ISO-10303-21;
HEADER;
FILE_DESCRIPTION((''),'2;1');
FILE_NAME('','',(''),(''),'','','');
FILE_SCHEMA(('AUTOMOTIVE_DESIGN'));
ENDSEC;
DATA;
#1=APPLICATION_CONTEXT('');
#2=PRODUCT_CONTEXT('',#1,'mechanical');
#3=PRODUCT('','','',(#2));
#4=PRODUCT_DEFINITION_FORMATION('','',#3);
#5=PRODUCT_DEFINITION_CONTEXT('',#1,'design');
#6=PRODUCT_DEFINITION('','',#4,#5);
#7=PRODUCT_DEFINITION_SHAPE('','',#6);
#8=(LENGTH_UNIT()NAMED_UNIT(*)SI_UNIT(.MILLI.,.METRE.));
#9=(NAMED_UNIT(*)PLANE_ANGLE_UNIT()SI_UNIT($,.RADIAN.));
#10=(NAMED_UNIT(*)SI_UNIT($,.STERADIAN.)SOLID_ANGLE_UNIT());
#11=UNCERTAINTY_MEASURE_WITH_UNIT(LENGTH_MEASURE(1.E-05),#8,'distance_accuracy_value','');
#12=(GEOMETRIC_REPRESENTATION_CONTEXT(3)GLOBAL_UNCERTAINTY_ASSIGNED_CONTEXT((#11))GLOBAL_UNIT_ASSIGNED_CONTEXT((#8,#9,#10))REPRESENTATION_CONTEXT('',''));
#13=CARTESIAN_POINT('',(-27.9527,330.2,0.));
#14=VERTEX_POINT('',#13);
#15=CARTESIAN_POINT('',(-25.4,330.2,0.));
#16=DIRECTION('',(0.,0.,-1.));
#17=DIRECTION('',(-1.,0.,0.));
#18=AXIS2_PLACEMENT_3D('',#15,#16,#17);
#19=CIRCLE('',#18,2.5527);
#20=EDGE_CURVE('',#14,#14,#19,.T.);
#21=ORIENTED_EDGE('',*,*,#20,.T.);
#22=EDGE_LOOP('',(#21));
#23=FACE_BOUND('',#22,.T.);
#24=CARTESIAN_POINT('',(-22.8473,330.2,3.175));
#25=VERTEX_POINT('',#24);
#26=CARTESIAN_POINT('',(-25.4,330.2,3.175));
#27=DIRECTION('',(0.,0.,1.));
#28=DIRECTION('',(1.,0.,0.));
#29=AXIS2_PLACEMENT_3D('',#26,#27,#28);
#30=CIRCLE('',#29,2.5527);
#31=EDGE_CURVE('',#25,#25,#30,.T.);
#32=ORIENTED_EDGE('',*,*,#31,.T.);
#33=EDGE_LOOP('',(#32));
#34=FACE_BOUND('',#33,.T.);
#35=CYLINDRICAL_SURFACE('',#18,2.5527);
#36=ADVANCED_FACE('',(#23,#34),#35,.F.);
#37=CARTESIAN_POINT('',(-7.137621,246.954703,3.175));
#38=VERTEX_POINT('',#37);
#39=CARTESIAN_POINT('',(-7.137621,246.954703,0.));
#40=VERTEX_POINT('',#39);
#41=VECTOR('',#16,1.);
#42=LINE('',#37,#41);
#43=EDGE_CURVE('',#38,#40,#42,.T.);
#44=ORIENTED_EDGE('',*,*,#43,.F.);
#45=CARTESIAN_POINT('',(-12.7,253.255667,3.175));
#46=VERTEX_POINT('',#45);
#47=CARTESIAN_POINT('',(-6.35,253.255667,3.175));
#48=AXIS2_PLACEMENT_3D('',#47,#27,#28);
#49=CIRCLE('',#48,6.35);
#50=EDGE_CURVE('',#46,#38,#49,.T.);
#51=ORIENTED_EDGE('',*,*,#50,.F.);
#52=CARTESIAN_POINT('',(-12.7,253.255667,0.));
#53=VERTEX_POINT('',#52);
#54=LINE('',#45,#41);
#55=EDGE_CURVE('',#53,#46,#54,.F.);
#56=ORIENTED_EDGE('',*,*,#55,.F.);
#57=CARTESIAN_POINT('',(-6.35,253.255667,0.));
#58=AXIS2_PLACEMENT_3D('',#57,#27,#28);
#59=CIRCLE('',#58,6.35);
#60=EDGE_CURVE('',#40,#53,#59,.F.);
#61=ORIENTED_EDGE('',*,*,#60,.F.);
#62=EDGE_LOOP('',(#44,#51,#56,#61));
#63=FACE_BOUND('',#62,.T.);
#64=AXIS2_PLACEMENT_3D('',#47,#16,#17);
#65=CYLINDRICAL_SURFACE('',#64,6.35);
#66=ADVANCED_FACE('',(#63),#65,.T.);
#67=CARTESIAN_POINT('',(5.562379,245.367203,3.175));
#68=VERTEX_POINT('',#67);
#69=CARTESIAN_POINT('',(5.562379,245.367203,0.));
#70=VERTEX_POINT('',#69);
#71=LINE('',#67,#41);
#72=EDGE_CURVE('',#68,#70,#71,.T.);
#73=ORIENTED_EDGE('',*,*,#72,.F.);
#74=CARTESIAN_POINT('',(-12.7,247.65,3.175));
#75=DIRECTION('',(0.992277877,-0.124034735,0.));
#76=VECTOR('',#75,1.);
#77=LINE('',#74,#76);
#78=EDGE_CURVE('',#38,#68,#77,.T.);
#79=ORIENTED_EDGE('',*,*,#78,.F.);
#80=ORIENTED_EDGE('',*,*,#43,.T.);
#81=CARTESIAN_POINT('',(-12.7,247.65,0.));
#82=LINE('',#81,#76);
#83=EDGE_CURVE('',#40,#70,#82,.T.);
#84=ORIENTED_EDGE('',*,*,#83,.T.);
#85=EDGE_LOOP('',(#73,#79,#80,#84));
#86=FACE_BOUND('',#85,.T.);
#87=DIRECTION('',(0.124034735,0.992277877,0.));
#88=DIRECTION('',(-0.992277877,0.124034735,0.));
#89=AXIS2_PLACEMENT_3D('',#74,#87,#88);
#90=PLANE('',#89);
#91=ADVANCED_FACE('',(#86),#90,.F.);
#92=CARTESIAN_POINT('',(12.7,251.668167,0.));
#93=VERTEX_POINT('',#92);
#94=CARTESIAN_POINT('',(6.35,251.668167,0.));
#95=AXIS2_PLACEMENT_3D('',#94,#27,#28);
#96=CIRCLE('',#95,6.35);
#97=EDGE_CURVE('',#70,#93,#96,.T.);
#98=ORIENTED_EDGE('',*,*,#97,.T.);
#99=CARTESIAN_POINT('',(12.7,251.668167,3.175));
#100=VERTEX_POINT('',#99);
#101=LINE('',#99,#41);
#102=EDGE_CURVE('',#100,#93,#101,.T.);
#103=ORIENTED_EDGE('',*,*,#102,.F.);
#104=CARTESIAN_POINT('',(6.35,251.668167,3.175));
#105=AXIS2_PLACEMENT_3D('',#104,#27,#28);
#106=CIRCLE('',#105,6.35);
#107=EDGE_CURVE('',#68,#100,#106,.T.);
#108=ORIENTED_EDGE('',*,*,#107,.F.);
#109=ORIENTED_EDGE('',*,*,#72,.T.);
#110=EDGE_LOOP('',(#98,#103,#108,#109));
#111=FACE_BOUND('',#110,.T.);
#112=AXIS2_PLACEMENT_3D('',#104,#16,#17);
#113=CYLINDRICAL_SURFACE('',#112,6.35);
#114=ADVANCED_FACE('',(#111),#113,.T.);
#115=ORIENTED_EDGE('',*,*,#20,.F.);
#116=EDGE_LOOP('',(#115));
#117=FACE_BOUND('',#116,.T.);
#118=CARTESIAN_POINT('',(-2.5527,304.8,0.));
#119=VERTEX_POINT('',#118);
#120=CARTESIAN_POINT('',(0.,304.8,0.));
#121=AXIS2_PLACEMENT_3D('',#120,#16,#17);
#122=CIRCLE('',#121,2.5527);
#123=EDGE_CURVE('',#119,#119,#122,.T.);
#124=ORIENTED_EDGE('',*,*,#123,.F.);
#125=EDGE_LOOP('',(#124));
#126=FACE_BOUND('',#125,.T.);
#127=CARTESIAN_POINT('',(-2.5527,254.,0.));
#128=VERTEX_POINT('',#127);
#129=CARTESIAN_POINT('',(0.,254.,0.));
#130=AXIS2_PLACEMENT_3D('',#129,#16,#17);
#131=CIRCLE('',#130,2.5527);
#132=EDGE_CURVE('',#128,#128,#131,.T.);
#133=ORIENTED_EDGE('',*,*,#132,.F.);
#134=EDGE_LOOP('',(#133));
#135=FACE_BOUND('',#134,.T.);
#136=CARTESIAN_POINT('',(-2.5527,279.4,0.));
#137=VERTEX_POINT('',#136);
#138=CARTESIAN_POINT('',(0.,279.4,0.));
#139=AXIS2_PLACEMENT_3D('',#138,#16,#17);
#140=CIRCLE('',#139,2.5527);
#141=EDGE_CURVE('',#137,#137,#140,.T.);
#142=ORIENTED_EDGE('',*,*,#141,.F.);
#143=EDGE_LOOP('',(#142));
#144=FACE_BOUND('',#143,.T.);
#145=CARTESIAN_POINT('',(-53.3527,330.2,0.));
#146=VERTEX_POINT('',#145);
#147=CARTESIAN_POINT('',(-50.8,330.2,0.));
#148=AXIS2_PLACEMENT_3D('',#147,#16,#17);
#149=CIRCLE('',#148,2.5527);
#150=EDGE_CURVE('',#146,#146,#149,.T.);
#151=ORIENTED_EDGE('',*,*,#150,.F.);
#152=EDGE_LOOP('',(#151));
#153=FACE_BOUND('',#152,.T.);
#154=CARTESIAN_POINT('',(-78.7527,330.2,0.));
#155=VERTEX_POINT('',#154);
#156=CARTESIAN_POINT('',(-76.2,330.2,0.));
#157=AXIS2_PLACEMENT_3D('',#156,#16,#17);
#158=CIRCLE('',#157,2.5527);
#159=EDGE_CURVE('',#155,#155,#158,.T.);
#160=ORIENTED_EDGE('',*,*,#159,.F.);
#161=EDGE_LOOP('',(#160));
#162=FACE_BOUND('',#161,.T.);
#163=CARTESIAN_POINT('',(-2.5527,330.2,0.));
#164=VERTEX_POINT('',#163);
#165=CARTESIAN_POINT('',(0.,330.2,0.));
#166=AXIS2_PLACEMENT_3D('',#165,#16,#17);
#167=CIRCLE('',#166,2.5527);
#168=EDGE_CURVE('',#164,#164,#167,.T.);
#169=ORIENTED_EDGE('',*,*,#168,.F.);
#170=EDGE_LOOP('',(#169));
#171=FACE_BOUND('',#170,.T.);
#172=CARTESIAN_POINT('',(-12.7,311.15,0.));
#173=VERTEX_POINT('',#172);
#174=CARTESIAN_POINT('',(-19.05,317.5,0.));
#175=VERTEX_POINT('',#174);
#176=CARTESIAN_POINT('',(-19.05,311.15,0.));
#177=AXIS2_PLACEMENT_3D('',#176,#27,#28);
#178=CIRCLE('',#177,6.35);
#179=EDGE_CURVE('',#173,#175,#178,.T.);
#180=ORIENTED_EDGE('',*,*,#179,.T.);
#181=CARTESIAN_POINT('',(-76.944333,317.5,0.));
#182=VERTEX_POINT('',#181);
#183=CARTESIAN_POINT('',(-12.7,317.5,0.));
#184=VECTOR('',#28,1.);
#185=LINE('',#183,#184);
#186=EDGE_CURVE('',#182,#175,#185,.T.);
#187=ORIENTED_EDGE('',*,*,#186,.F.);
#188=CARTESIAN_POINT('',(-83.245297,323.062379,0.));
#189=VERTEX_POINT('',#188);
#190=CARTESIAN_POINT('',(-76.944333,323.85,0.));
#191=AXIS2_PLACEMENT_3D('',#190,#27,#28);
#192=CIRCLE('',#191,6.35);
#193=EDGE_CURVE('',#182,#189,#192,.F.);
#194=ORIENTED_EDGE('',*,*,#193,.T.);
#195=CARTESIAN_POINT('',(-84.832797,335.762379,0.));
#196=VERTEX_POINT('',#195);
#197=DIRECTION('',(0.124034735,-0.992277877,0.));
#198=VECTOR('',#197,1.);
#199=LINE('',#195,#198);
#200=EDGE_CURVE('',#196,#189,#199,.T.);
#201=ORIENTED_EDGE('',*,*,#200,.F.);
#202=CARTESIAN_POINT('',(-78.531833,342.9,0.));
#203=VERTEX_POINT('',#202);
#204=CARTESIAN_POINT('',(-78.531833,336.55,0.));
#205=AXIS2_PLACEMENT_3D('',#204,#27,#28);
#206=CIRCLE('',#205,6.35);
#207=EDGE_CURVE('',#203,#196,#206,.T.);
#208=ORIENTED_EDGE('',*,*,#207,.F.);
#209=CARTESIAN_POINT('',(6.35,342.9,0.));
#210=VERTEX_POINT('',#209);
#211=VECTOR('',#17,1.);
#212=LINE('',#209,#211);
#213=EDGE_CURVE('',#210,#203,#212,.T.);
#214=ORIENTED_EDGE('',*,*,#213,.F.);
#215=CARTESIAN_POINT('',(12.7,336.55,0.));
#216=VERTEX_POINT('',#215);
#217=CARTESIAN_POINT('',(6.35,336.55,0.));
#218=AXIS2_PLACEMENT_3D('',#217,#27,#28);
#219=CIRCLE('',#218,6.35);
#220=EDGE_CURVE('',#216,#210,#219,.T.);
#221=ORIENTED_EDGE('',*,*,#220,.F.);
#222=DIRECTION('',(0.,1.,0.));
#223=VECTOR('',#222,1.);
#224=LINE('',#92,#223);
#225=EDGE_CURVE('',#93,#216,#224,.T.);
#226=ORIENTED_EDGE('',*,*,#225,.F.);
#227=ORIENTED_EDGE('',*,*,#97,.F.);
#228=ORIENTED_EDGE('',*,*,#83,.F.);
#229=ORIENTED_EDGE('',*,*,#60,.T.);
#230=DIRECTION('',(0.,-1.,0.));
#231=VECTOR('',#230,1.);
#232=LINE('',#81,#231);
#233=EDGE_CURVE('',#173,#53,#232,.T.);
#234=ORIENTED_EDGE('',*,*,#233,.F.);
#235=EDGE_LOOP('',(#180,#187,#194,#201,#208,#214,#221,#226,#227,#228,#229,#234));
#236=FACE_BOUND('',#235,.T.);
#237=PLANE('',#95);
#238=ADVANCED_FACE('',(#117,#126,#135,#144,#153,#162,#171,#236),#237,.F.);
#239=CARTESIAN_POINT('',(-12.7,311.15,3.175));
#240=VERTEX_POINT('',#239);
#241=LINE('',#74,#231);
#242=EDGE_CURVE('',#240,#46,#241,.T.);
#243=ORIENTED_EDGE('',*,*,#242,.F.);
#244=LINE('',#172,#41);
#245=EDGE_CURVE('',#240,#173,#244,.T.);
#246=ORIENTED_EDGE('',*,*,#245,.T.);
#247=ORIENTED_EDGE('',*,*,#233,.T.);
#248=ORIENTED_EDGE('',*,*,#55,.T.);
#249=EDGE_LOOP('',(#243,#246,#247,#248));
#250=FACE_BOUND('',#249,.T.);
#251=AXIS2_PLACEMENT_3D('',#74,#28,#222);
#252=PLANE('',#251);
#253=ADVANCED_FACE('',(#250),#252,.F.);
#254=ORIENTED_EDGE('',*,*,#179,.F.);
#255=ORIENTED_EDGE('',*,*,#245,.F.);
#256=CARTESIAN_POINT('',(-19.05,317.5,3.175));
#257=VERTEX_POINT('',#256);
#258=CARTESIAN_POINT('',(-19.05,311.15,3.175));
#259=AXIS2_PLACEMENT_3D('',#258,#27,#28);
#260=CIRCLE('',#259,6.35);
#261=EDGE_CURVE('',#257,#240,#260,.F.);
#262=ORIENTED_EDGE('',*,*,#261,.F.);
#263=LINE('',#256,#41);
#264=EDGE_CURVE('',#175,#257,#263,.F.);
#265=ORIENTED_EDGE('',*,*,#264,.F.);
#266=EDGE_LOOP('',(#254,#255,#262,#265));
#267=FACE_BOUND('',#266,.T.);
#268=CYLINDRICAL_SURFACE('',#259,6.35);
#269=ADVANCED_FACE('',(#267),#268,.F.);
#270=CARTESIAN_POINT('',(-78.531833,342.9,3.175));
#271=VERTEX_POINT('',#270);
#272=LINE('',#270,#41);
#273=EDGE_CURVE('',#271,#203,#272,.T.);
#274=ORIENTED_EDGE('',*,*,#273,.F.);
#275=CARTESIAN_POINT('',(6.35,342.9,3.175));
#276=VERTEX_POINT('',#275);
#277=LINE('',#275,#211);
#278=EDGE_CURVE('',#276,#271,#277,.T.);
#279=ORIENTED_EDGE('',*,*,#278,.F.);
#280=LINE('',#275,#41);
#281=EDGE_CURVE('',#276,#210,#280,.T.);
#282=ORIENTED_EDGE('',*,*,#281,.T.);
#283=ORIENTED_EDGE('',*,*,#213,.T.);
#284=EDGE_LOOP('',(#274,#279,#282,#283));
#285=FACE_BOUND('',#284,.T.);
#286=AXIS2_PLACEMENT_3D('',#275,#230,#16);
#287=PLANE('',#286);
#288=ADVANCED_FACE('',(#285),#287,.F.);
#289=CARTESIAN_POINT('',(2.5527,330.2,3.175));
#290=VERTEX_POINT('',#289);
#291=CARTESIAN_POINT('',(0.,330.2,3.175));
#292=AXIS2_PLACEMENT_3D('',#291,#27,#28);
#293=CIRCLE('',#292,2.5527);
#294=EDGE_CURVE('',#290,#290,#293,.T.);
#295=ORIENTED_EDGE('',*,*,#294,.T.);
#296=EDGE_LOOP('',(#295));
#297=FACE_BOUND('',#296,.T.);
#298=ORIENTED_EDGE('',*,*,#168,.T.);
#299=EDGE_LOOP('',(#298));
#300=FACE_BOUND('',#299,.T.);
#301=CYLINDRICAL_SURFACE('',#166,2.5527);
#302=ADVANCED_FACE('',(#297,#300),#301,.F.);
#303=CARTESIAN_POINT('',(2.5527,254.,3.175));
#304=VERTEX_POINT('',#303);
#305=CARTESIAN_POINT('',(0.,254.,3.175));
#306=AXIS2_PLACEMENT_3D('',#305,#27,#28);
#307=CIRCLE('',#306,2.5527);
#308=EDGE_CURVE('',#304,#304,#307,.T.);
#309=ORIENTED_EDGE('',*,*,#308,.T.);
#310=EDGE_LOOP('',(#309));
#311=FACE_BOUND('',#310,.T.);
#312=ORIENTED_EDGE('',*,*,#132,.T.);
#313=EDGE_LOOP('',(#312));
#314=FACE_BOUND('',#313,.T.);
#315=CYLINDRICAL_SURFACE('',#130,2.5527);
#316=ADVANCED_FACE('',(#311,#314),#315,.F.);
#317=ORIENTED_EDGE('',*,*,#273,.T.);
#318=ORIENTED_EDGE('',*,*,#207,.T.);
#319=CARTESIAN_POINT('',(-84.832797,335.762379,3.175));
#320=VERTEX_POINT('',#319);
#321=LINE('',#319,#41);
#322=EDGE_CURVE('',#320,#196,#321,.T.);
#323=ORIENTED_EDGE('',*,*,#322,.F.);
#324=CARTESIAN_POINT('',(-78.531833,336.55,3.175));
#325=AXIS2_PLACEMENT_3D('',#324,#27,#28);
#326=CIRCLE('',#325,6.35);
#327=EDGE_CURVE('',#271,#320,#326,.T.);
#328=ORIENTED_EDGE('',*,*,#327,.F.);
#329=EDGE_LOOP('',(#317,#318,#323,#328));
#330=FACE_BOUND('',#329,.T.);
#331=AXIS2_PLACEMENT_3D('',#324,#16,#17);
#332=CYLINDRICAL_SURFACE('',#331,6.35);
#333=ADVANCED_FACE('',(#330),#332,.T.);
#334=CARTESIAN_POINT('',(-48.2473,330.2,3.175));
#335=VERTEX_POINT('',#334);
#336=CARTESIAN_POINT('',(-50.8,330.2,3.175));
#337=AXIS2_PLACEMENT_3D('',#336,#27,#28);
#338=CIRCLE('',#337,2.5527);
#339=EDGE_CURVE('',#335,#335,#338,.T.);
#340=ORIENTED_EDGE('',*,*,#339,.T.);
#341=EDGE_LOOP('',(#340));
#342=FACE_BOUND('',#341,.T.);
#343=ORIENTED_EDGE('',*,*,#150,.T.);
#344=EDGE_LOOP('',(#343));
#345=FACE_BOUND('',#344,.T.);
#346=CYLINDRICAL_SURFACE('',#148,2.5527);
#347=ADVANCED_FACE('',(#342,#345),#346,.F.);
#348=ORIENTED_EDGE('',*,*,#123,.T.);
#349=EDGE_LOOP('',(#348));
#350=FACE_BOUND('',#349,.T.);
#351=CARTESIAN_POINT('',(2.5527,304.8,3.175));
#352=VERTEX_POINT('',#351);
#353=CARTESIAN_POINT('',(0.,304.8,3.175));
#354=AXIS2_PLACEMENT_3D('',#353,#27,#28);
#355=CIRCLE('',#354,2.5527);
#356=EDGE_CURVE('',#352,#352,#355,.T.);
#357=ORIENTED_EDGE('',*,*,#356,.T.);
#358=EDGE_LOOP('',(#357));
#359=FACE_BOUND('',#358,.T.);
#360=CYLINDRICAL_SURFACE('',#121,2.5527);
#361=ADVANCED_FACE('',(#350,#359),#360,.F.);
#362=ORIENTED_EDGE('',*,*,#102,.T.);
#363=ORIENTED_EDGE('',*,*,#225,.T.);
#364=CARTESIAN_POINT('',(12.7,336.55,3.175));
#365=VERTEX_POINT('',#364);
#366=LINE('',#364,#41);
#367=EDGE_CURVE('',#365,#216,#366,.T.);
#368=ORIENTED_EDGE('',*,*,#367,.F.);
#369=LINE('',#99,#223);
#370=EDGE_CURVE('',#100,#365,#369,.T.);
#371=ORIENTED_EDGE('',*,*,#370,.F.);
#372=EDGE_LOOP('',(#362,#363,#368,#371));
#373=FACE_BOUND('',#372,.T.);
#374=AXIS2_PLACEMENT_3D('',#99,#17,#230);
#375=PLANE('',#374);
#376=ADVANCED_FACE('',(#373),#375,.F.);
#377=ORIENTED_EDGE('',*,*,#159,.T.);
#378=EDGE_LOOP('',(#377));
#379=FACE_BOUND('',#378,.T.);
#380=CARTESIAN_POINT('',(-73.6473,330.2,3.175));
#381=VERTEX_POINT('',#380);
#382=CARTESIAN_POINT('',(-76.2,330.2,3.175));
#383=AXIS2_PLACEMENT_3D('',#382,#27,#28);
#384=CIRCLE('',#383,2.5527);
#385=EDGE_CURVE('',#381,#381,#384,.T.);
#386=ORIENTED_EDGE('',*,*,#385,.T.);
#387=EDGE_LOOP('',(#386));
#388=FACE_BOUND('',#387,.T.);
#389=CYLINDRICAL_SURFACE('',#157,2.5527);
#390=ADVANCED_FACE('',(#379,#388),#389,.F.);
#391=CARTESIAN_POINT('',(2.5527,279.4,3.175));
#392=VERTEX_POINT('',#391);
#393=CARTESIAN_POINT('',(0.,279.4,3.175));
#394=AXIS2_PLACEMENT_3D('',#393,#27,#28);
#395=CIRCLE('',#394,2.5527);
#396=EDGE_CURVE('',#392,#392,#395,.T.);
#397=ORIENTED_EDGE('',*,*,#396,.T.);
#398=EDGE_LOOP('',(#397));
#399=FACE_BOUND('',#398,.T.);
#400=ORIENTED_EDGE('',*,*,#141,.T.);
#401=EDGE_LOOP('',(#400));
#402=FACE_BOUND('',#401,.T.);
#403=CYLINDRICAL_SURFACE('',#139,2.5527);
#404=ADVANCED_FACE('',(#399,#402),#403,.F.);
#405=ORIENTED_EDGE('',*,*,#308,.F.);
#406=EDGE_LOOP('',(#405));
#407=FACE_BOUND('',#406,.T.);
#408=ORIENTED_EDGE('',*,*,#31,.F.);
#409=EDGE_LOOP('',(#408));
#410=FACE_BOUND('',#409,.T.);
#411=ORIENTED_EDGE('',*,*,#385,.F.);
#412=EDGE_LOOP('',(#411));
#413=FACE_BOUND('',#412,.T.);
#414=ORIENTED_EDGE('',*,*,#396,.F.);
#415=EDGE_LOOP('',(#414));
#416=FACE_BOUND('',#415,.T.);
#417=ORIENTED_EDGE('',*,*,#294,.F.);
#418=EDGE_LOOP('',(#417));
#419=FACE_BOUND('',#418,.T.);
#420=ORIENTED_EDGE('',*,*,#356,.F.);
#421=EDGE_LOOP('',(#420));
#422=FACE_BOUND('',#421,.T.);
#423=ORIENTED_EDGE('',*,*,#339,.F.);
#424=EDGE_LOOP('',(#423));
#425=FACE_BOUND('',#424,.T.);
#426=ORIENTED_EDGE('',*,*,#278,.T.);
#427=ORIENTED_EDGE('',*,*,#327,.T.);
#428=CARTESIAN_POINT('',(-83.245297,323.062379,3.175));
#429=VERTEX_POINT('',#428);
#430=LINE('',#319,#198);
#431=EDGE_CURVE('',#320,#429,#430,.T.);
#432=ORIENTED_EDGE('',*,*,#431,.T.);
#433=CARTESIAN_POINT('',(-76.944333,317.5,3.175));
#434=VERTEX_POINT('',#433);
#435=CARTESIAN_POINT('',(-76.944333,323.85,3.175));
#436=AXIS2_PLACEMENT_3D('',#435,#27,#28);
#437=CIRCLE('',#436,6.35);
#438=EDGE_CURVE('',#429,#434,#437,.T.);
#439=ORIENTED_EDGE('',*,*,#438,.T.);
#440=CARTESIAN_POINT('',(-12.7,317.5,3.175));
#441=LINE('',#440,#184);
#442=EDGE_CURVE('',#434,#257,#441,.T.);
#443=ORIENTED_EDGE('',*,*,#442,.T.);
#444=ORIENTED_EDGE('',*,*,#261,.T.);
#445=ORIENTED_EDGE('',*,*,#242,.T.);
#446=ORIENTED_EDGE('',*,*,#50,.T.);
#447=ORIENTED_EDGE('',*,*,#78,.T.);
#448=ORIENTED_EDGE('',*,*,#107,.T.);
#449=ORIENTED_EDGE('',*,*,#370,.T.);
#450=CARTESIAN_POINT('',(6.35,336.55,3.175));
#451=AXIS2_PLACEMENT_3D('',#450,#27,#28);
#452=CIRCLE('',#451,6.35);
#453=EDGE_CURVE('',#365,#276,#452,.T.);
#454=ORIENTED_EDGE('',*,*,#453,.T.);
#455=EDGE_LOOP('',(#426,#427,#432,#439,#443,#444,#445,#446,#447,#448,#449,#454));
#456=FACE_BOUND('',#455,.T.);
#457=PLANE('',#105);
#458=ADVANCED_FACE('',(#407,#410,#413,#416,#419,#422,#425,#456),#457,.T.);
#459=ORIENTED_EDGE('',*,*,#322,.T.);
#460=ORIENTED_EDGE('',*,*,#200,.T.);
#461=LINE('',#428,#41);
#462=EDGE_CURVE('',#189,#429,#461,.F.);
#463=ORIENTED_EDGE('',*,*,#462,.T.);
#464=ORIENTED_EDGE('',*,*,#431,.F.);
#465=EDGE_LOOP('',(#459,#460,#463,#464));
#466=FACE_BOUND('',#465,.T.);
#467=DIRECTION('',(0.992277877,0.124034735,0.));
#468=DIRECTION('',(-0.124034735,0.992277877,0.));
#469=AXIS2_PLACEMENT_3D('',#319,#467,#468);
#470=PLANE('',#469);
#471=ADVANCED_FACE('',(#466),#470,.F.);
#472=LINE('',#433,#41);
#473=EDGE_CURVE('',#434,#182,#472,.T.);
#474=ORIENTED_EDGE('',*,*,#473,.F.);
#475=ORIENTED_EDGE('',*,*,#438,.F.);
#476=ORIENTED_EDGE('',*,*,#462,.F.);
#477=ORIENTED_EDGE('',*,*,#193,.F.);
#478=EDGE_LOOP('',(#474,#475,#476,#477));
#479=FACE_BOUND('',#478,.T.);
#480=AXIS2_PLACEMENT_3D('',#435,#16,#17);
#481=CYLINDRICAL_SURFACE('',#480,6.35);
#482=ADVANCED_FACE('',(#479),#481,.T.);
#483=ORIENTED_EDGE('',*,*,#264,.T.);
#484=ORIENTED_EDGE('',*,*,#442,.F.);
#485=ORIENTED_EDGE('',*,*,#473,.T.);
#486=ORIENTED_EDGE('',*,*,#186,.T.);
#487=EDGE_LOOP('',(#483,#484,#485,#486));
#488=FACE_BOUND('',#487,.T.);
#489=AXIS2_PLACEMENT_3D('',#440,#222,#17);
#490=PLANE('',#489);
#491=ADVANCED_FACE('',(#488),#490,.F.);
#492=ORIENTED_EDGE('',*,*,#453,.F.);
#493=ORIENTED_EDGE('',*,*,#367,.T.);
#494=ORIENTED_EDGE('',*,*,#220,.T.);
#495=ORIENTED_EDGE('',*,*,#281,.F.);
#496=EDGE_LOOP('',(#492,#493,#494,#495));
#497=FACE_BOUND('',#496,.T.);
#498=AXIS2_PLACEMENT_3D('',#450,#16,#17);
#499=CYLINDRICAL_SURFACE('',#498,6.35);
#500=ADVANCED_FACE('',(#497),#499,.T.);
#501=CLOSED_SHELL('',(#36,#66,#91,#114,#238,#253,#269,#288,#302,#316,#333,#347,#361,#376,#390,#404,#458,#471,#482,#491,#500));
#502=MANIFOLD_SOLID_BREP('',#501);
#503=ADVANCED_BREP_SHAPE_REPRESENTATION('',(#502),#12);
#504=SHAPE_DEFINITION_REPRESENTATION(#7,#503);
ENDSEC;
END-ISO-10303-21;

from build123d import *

# Parameters (mm, degrees)
BOSS_EXTRUDE1_DEPTH        = 3.175
FILLET1_R                  = 6.35
F_10_CLEARANCE_HOLE1_D     = 5.1054
F_10_CLEARANCE_HOLE1_DEPTH = 9.906
F_10_CLEARANCE_HOLE1_TIP   = 1.533816902


with BuildPart() as part:
    # Sketch1 → Boss-Extrude1 (new body)
    with BuildSketch(Plane.XY):
        with BuildLine():
            Line((-12.7, 247.65), (-12.7, 317.5))
            Line((-12.7, 317.5), (-82.55, 317.5))
            Line((-82.55, 317.5), (-84.832797429, 335.762379435))
            ThreePointArc((-84.832797429, 335.762379435), (-83.292289329, 340.752446277), (-78.531832912, 342.9))
            Line((-78.531832912, 342.9), (6.35, 342.9))
            ThreePointArc((6.35, 342.9), (10.840128061, 341.040128061), (12.7, 336.55))
            Line((12.7, 336.55), (12.7, 251.668167088))
            ThreePointArc((12.7, 251.668167088), (10.552446277, 246.907710671), (5.562379435, 245.367202571))
            Line((5.562379435, 245.367202571), (-12.7, 247.65))
        make_face()
    extrude(amount=BOSS_EXTRUDE1_DEPTH)

    # Fillet1
    fillet1_edges = [part.edges().sort_by_distance(p)[0] for p in [
        (-12.7, 247.65, 1.5875),
        (-12.7, 317.5, 1.5875),
        (-82.55, 317.5, 1.5875),
    ]]
    fillet(fillet1_edges, radius=FILLET1_R)

    # #10 Clearance Hole1
    with Locations(Plane(origin=(0, 0, 0), x_dir=(-1, 0, 0), z_dir=(0, 0, -1))):
        with Locations((0, 330.2), (0, 304.8), (0, 279.4), (25.4, 330.2), (0, 254), (50.8, 330.2), (76.2, 330.2)):
            Hole(F_10_CLEARANCE_HOLE1_D / 2, depth=F_10_CLEARANCE_HOLE1_DEPTH)
            with Locations((0, 0, -(F_10_CLEARANCE_HOLE1_DEPTH + F_10_CLEARANCE_HOLE1_TIP / 2))):  # 118° drill point
                Cone(0, F_10_CLEARANCE_HOLE1_D / 2, F_10_CLEARANCE_HOLE1_TIP, mode=Mode.SUBTRACT)


solid = part.part
